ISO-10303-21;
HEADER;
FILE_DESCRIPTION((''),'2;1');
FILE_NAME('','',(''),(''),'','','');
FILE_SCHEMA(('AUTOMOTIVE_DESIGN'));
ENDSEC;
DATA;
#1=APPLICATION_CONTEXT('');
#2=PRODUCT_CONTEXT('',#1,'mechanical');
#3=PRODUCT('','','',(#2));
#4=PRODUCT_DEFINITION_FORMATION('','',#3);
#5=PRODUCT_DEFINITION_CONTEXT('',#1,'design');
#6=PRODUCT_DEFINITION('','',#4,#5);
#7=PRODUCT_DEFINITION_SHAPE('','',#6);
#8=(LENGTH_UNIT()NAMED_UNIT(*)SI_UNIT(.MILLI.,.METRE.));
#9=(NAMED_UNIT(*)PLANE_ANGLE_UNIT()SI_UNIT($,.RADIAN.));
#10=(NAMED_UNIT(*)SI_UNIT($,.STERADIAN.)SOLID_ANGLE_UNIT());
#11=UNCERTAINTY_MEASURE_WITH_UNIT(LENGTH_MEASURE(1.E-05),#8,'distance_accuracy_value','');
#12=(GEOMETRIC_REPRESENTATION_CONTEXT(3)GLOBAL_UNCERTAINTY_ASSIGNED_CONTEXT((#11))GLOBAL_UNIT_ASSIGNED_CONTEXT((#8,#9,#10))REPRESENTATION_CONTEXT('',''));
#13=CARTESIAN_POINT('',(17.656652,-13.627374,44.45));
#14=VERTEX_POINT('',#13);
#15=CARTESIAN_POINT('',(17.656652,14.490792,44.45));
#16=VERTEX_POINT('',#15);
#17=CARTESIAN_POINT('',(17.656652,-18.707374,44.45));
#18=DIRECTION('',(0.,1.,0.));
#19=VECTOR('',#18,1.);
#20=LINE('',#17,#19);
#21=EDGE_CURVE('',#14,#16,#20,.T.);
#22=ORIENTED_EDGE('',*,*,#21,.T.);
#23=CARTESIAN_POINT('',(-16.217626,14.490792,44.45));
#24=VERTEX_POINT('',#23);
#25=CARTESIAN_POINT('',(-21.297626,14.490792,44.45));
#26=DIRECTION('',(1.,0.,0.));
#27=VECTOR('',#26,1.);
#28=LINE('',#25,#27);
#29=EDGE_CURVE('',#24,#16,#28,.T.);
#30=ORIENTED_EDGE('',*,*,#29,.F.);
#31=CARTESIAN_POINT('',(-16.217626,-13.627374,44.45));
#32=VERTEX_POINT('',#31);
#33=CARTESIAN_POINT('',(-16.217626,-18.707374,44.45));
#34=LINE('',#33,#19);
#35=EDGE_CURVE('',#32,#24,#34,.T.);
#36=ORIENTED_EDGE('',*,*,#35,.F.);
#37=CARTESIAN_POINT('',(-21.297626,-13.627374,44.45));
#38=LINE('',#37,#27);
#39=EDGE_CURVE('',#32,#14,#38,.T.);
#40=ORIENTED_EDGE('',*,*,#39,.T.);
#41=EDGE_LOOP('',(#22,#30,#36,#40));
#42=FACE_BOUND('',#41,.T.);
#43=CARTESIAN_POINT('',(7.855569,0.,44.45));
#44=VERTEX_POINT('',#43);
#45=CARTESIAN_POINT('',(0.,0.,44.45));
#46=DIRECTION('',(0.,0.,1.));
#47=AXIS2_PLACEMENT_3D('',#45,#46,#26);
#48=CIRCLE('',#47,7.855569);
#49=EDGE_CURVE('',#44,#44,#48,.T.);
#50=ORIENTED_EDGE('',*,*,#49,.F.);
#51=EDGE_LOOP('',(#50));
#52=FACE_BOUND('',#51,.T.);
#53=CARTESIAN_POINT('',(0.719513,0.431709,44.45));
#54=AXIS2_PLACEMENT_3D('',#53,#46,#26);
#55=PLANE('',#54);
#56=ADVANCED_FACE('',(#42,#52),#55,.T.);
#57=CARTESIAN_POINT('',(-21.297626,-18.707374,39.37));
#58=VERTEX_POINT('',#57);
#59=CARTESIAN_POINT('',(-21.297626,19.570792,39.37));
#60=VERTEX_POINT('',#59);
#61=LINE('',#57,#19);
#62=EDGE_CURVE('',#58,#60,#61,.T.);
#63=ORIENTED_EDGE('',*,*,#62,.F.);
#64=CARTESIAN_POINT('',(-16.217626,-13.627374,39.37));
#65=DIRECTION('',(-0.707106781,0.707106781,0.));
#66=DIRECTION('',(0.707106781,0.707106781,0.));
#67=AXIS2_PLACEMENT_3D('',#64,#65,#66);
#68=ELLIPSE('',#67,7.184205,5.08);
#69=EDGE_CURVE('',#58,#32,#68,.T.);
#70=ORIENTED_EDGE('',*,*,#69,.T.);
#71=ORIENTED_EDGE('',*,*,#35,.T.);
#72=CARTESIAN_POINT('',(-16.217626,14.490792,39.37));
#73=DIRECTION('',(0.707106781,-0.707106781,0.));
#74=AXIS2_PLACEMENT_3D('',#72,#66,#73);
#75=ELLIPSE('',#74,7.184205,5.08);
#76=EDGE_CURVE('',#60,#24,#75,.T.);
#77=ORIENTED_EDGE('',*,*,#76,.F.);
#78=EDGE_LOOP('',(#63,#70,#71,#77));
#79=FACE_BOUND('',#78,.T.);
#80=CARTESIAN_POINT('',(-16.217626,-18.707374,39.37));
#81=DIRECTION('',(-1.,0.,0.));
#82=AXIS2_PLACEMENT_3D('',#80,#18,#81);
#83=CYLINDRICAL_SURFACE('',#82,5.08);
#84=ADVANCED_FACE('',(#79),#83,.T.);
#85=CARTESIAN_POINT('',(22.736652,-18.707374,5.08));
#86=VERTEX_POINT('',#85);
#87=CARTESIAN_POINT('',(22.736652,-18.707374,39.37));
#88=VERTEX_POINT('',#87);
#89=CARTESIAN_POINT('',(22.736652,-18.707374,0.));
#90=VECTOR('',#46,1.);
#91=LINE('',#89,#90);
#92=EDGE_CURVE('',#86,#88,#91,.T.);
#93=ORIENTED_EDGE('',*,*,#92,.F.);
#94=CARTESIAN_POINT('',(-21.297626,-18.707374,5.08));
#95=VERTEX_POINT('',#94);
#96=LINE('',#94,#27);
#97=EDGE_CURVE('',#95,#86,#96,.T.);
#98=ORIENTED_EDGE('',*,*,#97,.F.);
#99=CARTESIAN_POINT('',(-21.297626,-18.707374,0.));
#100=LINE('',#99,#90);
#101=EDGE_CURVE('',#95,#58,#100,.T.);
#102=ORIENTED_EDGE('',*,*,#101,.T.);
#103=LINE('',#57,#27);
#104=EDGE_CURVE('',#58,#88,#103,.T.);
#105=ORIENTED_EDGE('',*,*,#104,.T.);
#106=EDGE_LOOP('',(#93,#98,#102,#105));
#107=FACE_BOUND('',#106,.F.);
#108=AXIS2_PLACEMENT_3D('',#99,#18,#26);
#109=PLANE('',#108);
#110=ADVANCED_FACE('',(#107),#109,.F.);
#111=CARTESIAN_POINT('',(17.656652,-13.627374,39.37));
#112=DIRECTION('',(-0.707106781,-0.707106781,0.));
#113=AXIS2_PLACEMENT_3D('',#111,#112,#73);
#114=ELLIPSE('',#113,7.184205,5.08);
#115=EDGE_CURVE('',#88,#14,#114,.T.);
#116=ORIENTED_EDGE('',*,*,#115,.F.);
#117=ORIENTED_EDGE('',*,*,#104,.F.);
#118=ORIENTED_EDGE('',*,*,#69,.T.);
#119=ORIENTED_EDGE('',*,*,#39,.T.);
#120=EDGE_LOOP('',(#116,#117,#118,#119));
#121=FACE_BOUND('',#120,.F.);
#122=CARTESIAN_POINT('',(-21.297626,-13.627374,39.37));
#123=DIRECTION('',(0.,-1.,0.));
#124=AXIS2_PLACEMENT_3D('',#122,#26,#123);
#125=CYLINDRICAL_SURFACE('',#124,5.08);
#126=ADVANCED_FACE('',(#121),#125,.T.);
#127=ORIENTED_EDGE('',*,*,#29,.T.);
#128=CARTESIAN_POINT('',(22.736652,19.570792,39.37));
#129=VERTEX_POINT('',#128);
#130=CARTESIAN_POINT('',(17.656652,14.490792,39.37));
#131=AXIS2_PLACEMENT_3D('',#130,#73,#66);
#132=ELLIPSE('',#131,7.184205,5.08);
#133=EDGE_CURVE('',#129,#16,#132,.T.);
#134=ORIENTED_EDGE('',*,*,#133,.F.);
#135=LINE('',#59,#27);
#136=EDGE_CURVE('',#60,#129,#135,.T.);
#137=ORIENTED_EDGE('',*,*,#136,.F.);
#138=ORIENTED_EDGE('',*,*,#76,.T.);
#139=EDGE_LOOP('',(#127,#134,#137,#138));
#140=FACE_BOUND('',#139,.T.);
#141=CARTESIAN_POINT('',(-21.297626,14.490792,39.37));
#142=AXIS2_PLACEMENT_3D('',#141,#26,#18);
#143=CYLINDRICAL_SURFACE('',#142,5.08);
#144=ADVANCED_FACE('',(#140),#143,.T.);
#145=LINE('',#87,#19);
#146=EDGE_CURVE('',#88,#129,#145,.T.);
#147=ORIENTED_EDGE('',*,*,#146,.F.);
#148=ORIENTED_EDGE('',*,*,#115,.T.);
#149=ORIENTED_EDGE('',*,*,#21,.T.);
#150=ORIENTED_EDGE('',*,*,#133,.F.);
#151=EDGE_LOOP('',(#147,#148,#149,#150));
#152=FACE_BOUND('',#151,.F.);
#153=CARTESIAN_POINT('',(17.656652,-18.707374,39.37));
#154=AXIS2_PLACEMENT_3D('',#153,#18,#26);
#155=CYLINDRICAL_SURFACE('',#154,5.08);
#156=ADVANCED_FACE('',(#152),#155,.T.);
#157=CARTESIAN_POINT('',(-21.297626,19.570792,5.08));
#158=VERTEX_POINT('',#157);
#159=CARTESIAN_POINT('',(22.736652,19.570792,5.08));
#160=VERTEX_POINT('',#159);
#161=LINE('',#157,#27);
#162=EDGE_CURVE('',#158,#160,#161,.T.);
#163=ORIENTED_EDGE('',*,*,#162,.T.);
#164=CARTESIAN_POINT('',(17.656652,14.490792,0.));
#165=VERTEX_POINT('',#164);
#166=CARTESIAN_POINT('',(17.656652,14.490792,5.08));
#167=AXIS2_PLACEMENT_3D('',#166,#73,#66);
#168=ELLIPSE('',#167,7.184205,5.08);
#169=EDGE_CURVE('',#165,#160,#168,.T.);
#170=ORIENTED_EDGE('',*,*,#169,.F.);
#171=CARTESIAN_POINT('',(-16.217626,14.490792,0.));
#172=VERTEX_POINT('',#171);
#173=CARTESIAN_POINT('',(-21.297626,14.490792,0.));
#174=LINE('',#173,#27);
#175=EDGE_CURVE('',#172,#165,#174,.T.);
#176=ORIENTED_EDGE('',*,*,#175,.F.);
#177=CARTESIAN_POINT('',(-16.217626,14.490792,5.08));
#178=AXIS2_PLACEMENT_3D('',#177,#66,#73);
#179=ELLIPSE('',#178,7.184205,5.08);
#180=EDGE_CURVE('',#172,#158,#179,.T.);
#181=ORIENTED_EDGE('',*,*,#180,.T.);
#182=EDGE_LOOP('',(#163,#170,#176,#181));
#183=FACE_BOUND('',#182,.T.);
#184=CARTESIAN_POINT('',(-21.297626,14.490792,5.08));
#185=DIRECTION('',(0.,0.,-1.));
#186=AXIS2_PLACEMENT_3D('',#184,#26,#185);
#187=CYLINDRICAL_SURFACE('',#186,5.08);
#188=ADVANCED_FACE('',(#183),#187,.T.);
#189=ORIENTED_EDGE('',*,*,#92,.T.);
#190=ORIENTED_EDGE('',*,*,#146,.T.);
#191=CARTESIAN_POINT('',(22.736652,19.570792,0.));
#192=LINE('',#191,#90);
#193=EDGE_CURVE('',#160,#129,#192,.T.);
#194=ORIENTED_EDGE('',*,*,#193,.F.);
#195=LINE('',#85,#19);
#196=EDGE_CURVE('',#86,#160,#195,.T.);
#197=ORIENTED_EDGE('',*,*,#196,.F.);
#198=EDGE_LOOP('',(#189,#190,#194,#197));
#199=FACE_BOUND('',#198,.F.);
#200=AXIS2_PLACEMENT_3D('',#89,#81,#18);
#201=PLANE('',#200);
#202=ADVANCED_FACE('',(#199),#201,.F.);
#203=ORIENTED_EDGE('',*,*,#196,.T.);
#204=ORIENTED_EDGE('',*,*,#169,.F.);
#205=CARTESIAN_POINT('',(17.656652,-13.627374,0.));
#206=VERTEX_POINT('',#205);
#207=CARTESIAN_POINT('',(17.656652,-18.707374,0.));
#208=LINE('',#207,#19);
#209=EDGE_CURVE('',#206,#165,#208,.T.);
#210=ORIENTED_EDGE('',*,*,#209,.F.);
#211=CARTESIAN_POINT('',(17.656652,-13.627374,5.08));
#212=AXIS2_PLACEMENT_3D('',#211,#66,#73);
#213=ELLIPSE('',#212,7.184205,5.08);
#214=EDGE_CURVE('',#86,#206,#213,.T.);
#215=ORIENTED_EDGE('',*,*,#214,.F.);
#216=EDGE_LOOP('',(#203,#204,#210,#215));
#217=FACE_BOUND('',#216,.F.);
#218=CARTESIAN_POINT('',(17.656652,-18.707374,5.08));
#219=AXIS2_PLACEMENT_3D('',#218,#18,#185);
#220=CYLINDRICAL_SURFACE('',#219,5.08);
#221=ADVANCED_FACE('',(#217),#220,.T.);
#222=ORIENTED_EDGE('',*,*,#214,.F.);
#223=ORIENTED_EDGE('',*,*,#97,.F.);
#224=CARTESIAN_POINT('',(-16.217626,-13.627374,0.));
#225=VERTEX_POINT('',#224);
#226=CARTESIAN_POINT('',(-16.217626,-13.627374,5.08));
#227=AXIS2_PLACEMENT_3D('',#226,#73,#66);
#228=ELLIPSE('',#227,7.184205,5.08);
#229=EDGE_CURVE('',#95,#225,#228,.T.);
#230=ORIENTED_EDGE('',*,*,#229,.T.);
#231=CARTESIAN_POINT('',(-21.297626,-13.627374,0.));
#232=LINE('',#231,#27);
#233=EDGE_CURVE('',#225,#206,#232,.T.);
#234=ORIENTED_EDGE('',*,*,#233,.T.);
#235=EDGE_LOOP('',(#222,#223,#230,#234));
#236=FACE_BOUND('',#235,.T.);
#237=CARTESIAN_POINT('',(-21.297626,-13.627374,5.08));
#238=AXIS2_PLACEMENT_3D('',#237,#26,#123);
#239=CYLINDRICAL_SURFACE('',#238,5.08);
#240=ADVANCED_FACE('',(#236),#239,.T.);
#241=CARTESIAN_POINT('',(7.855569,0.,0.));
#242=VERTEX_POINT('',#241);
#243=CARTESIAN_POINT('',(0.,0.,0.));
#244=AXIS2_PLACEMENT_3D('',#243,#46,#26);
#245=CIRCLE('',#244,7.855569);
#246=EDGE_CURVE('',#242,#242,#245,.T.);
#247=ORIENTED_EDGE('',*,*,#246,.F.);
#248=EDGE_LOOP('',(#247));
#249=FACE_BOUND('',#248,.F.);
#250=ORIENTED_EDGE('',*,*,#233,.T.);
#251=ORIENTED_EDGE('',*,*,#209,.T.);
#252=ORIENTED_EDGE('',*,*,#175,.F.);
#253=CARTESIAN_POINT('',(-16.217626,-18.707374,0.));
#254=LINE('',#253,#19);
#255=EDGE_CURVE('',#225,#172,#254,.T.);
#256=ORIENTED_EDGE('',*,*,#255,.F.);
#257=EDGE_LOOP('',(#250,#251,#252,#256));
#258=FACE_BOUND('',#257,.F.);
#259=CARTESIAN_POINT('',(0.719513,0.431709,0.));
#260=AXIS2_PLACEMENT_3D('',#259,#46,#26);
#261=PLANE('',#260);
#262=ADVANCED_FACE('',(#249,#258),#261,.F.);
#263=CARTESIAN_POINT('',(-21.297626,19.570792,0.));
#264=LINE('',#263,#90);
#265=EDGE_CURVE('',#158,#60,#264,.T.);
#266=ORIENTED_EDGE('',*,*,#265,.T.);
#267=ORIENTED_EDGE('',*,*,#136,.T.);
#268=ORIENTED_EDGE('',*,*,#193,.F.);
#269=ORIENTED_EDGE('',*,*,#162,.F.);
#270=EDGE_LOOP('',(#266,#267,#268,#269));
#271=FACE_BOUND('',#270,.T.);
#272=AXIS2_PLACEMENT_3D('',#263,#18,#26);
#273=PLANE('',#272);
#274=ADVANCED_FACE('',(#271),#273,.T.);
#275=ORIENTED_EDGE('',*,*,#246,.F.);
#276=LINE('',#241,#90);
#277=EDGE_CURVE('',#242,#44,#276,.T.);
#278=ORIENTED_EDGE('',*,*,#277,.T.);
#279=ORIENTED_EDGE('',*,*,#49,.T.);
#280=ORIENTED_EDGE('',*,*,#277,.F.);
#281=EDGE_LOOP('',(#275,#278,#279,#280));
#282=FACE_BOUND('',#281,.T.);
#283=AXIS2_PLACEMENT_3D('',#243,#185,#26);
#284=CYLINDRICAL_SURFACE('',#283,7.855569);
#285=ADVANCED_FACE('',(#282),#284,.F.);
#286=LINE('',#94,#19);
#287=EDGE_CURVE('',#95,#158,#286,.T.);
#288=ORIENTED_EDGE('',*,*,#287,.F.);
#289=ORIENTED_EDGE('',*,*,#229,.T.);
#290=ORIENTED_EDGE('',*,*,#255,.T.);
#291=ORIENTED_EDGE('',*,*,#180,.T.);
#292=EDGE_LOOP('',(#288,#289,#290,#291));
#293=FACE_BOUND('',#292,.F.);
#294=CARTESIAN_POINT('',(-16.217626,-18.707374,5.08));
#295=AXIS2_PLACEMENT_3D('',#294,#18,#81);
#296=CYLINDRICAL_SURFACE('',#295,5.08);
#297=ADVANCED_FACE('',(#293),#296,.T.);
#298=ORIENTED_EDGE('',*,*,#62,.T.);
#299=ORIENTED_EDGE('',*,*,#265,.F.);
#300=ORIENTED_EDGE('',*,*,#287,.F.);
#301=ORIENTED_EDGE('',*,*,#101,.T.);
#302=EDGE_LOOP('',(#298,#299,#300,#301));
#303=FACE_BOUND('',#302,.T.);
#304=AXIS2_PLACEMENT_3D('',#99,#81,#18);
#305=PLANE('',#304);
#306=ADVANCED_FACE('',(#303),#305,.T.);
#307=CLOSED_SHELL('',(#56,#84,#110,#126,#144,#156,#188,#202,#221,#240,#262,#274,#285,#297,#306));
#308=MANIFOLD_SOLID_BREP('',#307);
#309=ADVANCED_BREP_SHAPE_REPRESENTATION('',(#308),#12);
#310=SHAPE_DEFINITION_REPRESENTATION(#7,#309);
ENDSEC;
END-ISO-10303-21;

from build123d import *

# Parameters (mm, degrees)
F0_W     = 44.034278
F0_H     = 38.278166
F0_R     = 7.855569
F1_DEPTH = 44.45
F2_R     = 5.08
F3_R     = 5.08


with BuildPart() as f1:
    # F0 (on Top) → F1 (new body)
    with BuildSketch(Plane.XY):
        with Locations((0.719513, 0.431709)):
            Rectangle(F0_W, F0_H)
        Circle(F0_R, mode=Mode.SUBTRACT)
    extrude(amount=F1_DEPTH)

    # F2
    f2_edges = [f1.edges().sort_by_distance(p)[0] for p in [
        (0.719513, -18.707374, 44.45),
        (22.736652, 0.431709, 44.45),
        (0.719513, 19.570792, 44.45),
        (-21.297626, 0.431709, 44.45),
    ]]
    fillet(f2_edges, radius=F2_R)

    # F3
    f3_edges = [f1.edges().sort_by_distance(p)[0] for p in [
        (0.719513, 19.570792, 0),
        (-21.297626, 0.431709, 0),
        (0.719513, -18.707374, 0),
        (22.736652, 0.431709, 0),
    ]]
    fillet(f3_edges, radius=F3_R)


solid = f1.part
